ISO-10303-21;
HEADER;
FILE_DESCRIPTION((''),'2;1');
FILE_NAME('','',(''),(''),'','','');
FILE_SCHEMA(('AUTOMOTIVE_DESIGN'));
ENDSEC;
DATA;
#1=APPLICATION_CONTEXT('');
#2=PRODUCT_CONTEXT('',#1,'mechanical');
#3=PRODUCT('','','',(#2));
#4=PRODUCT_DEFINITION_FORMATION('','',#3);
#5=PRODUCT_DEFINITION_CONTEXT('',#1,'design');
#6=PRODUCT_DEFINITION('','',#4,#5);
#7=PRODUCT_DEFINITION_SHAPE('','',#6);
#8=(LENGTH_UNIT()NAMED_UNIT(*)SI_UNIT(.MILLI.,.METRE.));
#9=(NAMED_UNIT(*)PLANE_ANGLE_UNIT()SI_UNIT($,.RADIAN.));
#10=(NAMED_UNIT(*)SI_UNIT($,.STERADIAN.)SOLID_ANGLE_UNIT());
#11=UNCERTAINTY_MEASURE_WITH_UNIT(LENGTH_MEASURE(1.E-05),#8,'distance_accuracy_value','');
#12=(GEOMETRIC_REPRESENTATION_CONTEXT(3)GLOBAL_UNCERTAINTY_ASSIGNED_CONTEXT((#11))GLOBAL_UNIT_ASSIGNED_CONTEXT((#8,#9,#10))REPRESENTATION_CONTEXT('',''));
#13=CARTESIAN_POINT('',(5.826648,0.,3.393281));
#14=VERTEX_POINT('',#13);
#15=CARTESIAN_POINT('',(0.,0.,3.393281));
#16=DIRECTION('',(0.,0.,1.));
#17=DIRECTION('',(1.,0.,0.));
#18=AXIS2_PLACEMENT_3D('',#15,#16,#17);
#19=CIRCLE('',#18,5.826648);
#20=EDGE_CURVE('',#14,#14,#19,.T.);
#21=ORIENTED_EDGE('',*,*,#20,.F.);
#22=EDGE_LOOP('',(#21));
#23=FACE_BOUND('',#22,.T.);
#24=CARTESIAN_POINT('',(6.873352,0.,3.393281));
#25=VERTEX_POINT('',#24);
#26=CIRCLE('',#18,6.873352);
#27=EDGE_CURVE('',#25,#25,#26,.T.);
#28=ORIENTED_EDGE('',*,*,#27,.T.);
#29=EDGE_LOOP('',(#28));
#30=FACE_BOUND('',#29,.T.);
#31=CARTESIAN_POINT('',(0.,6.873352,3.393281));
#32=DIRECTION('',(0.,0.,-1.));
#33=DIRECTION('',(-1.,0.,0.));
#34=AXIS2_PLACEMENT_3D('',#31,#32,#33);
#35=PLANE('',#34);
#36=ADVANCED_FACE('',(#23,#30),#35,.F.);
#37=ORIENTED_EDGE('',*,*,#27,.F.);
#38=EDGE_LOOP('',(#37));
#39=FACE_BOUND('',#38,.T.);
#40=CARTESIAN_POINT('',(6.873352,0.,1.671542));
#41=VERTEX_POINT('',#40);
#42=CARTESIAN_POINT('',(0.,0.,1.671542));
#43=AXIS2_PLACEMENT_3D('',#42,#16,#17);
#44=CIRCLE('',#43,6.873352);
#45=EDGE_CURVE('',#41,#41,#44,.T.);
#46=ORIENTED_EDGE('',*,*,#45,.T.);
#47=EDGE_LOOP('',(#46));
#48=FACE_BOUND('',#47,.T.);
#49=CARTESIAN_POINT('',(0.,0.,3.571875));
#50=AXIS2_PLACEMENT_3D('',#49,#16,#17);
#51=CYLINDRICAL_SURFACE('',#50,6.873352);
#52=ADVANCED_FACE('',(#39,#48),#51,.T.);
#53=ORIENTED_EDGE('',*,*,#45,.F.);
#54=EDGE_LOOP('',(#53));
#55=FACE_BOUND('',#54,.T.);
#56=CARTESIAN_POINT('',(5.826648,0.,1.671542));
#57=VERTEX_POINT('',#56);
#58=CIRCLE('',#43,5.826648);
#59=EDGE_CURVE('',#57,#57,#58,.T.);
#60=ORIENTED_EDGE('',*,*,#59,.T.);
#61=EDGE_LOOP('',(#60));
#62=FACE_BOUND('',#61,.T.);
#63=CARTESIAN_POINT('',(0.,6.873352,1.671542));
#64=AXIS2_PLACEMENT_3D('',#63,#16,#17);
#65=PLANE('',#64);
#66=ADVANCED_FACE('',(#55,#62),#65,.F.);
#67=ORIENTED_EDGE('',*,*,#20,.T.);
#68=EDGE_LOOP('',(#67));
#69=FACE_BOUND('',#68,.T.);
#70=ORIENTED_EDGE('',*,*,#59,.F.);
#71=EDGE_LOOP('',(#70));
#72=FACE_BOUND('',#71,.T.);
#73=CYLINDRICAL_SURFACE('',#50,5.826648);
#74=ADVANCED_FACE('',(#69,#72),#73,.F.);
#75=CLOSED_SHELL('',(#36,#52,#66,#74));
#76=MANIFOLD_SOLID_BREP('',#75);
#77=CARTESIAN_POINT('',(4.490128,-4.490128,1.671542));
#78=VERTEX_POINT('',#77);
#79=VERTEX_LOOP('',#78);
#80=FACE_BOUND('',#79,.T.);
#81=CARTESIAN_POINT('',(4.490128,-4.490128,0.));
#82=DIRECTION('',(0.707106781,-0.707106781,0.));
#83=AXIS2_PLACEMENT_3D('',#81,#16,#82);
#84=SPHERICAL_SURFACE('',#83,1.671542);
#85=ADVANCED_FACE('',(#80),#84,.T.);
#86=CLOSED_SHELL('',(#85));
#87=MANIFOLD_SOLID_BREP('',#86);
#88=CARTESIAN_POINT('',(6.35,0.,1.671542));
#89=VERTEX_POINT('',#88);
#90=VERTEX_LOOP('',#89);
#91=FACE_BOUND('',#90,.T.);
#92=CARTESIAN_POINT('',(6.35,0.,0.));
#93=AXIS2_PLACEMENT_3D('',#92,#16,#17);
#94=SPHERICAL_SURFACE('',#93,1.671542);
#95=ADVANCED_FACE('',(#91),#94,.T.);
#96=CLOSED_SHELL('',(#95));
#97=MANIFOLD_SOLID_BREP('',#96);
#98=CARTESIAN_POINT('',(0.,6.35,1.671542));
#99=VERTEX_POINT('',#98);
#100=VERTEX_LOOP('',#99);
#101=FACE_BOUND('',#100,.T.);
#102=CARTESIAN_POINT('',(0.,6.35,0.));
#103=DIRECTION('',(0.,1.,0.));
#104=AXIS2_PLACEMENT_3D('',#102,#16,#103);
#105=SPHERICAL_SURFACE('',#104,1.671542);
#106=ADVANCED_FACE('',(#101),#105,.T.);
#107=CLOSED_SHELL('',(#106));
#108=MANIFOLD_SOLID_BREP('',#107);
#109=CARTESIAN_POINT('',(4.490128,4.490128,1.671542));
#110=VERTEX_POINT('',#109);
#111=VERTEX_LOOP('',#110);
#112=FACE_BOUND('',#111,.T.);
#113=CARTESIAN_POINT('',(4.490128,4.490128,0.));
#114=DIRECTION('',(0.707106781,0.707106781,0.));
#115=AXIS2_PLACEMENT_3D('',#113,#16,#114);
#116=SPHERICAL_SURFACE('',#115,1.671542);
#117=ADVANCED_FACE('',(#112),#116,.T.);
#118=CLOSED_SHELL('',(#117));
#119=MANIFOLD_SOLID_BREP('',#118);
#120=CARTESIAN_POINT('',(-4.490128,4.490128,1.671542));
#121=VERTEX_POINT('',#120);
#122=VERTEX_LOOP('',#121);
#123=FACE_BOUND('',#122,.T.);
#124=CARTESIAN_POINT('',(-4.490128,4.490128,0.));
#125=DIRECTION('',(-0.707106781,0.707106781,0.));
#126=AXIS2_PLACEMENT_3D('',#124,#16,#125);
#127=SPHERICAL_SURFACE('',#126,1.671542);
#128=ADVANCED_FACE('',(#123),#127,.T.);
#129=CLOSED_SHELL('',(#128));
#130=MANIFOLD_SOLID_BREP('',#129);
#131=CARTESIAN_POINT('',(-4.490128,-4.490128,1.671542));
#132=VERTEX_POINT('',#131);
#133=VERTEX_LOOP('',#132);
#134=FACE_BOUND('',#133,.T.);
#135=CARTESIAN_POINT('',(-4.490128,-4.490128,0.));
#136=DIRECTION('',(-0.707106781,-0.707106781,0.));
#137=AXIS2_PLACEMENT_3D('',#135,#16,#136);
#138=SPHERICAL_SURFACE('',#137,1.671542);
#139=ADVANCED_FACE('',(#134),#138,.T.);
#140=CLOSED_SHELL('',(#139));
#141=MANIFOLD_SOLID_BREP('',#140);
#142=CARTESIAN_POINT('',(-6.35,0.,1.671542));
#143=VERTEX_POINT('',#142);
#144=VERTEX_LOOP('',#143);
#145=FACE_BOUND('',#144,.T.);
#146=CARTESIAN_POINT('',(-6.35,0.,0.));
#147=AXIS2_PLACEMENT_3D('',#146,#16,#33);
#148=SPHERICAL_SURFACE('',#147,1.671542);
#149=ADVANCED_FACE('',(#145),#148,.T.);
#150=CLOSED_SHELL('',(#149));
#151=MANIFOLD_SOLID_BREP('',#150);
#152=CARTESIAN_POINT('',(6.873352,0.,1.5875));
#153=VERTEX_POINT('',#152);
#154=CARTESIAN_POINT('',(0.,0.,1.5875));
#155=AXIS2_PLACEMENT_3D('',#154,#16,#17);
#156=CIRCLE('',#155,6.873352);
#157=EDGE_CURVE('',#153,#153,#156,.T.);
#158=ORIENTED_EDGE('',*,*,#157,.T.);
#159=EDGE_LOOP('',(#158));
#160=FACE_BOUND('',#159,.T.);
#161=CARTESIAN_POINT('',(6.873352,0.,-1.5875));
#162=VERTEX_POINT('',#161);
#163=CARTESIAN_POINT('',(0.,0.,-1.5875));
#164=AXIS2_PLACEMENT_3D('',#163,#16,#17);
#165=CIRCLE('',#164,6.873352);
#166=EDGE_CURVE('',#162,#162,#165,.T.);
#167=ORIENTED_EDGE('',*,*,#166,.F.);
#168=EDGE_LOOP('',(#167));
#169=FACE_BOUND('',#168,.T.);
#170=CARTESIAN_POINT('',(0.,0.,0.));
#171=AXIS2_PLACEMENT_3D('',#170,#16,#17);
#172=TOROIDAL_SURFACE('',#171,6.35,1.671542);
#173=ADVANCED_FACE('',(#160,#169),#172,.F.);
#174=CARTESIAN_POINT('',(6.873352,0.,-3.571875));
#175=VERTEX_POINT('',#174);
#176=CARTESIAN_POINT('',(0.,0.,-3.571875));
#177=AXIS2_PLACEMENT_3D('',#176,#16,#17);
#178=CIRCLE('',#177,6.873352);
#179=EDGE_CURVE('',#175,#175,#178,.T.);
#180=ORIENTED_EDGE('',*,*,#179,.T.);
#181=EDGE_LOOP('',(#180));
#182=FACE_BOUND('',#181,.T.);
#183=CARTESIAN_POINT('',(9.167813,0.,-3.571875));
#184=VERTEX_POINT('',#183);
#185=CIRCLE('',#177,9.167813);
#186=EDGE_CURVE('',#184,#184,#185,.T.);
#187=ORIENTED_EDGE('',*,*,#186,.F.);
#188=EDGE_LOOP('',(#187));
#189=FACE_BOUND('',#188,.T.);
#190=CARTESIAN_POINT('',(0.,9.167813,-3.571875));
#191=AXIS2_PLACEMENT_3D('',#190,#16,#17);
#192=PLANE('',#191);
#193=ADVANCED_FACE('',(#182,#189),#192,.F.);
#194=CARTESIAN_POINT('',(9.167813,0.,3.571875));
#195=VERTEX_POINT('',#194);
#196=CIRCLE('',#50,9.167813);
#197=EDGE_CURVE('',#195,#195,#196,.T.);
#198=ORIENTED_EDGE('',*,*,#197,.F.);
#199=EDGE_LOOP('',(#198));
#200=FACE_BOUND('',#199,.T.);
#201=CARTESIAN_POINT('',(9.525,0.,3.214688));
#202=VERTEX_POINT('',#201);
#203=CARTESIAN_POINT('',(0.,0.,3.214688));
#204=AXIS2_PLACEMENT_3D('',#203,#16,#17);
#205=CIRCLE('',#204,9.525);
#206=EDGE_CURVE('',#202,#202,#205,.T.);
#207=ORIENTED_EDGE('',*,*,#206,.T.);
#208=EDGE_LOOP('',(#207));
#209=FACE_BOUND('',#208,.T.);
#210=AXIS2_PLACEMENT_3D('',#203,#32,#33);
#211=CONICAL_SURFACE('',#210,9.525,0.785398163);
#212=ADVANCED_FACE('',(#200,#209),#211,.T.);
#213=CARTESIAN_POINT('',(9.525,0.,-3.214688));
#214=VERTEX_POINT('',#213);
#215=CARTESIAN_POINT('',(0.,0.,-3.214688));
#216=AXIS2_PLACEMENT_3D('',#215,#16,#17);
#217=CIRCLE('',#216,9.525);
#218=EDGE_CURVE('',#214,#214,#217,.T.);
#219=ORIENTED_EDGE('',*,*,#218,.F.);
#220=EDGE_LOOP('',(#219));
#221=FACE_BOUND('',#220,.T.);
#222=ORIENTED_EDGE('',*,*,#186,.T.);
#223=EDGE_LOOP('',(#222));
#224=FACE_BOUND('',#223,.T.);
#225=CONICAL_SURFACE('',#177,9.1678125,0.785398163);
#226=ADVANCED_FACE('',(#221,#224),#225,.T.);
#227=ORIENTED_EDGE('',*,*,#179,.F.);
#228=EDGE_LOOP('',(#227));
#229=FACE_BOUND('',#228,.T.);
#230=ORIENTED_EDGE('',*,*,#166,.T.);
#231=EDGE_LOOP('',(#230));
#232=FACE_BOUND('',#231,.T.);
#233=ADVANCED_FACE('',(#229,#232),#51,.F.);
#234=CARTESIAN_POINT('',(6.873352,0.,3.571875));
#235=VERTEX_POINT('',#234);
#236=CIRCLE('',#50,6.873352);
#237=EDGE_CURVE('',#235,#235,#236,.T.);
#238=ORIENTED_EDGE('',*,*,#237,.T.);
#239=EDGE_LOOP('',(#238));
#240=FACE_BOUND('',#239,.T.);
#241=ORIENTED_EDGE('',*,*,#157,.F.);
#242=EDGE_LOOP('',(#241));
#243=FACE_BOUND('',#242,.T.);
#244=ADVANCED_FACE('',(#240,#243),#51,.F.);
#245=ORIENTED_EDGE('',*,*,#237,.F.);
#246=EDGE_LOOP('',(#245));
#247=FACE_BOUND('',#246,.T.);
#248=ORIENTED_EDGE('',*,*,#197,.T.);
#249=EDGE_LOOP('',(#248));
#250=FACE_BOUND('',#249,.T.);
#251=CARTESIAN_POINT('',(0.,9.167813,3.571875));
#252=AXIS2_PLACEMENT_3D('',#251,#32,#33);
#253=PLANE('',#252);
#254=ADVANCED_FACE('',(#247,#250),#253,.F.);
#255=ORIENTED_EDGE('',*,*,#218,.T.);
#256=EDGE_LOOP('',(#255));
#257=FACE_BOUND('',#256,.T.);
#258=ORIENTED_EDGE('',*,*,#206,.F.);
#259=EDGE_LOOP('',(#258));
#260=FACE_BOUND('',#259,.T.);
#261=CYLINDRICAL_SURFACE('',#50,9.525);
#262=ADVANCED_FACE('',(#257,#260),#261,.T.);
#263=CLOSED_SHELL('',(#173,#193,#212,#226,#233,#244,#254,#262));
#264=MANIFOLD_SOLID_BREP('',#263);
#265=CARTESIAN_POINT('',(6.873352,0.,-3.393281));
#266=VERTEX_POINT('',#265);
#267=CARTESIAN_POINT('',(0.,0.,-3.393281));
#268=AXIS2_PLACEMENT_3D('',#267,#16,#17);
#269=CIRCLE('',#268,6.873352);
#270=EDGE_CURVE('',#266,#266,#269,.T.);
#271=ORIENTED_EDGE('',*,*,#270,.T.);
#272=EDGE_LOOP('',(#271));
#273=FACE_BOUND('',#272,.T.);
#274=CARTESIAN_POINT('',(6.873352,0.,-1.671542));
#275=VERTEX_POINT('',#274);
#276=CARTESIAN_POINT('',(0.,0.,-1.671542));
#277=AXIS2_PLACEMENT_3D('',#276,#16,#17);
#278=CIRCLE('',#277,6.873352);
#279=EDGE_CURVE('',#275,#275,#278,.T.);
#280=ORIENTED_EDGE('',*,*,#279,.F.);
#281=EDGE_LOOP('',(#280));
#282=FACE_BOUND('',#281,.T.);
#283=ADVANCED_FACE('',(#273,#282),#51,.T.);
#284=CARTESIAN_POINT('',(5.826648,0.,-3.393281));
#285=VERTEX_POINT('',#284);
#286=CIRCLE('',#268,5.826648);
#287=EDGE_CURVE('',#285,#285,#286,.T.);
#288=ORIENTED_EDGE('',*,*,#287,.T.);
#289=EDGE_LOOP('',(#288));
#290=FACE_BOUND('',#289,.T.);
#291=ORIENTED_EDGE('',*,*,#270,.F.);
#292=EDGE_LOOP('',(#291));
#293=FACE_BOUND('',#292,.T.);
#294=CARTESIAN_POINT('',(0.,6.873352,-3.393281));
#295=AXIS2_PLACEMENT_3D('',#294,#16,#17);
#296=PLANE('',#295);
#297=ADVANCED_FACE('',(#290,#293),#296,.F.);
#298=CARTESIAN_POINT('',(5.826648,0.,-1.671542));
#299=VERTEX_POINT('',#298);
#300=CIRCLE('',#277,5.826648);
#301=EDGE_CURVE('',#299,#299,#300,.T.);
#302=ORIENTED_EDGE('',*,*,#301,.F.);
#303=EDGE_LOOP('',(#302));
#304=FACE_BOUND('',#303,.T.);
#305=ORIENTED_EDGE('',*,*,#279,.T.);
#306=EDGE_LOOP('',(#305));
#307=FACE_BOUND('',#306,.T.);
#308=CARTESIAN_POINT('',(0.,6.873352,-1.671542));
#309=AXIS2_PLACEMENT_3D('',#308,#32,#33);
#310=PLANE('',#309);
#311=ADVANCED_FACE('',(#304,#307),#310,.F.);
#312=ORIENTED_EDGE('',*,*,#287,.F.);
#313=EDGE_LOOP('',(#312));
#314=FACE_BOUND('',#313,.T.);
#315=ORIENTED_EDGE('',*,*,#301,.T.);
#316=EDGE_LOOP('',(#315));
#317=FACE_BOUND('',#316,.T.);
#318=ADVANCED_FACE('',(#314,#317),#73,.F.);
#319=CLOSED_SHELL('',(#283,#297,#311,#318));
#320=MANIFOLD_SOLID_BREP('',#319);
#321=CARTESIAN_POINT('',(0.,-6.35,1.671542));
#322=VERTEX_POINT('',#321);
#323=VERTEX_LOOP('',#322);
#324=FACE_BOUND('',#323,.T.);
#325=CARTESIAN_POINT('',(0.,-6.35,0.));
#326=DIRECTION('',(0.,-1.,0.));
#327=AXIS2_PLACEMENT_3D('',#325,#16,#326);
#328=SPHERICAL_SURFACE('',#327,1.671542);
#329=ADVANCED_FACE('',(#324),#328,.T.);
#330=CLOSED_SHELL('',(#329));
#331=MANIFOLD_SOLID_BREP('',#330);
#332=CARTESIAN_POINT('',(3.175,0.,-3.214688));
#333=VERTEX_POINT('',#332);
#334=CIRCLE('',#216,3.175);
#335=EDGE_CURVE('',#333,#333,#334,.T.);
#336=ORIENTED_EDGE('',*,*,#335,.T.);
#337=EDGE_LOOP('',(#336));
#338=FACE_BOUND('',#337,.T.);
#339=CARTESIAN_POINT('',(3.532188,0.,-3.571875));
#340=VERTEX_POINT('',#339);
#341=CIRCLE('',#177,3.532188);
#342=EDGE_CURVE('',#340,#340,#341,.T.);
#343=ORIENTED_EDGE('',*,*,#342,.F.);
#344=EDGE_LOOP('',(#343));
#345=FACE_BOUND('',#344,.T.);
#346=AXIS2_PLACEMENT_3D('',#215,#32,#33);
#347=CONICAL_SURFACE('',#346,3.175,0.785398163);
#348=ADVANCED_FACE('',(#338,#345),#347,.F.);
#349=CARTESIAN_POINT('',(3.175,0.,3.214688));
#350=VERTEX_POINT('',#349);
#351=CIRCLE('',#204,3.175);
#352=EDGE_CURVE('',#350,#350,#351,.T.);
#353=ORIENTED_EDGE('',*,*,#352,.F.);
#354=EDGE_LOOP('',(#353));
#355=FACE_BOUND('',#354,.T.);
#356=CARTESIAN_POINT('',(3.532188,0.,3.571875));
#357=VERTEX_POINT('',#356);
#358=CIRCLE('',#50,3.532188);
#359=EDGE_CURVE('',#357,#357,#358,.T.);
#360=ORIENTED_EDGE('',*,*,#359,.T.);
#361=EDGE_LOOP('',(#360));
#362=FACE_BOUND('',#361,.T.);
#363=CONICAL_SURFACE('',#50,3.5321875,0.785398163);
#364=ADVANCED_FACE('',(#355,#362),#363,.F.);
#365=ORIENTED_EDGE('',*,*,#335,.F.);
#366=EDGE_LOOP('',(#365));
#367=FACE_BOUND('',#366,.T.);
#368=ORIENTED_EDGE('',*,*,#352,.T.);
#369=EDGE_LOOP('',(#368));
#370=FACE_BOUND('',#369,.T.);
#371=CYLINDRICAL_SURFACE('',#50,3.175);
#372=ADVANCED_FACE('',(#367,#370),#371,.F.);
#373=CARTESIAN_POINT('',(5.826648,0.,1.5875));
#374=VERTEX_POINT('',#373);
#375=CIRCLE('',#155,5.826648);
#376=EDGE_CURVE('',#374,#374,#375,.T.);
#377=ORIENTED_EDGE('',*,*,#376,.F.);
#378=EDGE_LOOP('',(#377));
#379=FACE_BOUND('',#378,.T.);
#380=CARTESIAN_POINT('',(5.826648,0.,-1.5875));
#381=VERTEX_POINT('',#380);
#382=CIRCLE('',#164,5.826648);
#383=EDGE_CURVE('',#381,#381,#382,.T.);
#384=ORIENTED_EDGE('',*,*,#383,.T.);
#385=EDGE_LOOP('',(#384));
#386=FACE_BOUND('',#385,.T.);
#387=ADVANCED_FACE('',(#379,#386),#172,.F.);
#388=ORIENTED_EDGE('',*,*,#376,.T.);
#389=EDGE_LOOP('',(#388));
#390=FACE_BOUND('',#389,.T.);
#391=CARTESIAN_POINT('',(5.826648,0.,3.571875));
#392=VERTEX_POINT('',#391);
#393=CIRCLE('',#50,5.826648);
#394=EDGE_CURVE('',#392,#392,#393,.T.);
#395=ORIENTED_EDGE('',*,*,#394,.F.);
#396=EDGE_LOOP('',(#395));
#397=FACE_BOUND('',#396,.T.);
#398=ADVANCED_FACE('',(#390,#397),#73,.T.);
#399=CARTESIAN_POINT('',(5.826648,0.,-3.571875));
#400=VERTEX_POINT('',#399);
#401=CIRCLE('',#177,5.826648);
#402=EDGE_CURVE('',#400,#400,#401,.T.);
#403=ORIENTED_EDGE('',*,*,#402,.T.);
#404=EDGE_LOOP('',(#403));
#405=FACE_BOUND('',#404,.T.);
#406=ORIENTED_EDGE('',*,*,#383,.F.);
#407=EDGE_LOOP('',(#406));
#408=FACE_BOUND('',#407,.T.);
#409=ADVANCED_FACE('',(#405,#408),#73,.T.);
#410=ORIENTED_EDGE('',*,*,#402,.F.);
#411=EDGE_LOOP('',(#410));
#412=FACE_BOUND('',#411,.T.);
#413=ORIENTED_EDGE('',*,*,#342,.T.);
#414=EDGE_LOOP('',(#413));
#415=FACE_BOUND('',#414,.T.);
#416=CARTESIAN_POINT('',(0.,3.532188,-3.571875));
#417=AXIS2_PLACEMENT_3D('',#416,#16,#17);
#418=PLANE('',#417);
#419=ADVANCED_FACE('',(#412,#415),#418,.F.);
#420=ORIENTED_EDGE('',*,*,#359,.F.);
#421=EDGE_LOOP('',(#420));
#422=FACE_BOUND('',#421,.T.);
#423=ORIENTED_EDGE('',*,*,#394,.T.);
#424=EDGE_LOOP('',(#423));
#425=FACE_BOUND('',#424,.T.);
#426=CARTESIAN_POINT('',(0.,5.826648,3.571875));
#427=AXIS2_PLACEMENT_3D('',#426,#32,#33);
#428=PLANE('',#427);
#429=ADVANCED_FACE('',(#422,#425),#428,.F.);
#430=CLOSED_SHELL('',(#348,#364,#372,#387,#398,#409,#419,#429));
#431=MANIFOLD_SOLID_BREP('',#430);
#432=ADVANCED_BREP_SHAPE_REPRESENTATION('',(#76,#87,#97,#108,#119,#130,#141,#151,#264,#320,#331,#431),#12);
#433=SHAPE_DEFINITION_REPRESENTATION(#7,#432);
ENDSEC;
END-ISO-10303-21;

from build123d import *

# Parameters (mm, degrees)
CIRPATTERN1_COUNT = 8
SKETCH5_W         = 1.721739088
SKETCH5_H         = 1.046703296


with BuildPart() as part:
    # Sketch1 → Revolve1 (revolve)
    with BuildSketch(Plane(origin=(0, 0, 0), x_dir=(0, 0, -1), z_dir=(1, 0, 0))):
        with BuildLine():
            Line((3.2146875, 9.525), (-3.2146875, 9.525))
            Line((-3.2146875, 9.525), (-3.571875, 9.1678125))
            Line((-3.571875, 9.1678125), (-3.571875, 6.873351648))
            Line((-3.571875, 6.873351648), (-1.5875, 6.873351648))
            ThreePointArc((-1.5875, 6.873351648), (0, 8.021542162), (1.5875, 6.873351648))
            Line((1.5875, 6.873351648), (3.571875, 6.873351648))
            Line((3.571875, 6.873351648), (3.571875, 9.1678125))
            Line((3.571875, 9.1678125), (3.2146875, 9.525))
        make_face()
    revolve(axis=Axis((0, 0, 3.571875), (0, 0, -1)))


with BuildPart() as body_2:
    # Sketch3 → Revolve3 (revolve)
    with BuildSketch(Plane(origin=(0, 0, 0), x_dir=(0, 0, -1), z_dir=(1, 0, 0))):
        with BuildLine():
            Line((-3.571875, 5.826648352), (-1.5875, 5.826648352))
            ThreePointArc((-1.5875, 5.826648352), (0, 4.678457838), (1.5875, 5.826648352))
            Line((1.5875, 5.826648352), (3.571875, 5.826648352))
            Line((3.571875, 5.826648352), (3.571875, 3.5321875))
            Line((3.571875, 3.5321875), (3.2146875, 3.175))
            Line((3.2146875, 3.175), (-3.2146875, 3.175))
            Line((-3.2146875, 3.175), (-3.571875, 3.5321875))
            Line((-3.571875, 3.5321875), (-3.571875, 5.826648352))
        make_face()
    revolve(axis=Axis((0, 0, 3.571875), (0, 0, -1)))


with BuildPart() as body_3:
    # Sketch4 → Revolve4 (revolve)
    with BuildSketch(Plane(origin=(0, 0, 0), x_dir=(0, 0, -1), z_dir=(1, 0, 0))):
        with BuildLine():
            Line((-1.671542162, 6.35), (1.671542162, 6.35))
            ThreePointArc((1.671542162, 6.35), (0, 8.021542162), (-1.671542162, 6.35))
        make_face()
    revolve(axis=Axis((0, 6.35, 1.671542162), (0, 0, -1)))


with BuildPart() as cirpattern1_1:
    # CirPattern1: pattern copy
    add(body_3.part.rotate(Axis((0, 0, -3.571875), (0, 0, 1)), 1 * 360 / CIRPATTERN1_COUNT))


with BuildPart() as cirpattern1_2:
    # CirPattern1: pattern copy
    add(body_3.part.rotate(Axis((0, 0, -3.571875), (0, 0, 1)), 2 * 360 / CIRPATTERN1_COUNT))


with BuildPart() as cirpattern1_3:
    # CirPattern1: pattern copy
    add(body_3.part.rotate(Axis((0, 0, -3.571875), (0, 0, 1)), 3 * 360 / CIRPATTERN1_COUNT))


with BuildPart() as cirpattern1_4:
    # CirPattern1: pattern copy
    add(body_3.part.rotate(Axis((0, 0, -3.571875), (0, 0, 1)), 4 * 360 / CIRPATTERN1_COUNT))


with BuildPart() as cirpattern1_5:
    # CirPattern1: pattern copy
    add(body_3.part.rotate(Axis((0, 0, -3.571875), (0, 0, 1)), 5 * 360 / CIRPATTERN1_COUNT))


with BuildPart() as cirpattern1_6:
    # CirPattern1: pattern copy
    add(body_3.part.rotate(Axis((0, 0, -3.571875), (0, 0, 1)), 6 * 360 / CIRPATTERN1_COUNT))


with BuildPart() as cirpattern1_7:
    # CirPattern1: pattern copy
    add(body_3.part.rotate(Axis((0, 0, -3.571875), (0, 0, 1)), 7 * 360 / CIRPATTERN1_COUNT))


with BuildPart() as body_11:
    # Sketch5 → Revolve5 (revolve)
    with BuildSketch(Plane(origin=(0, 0, 0), x_dir=(0, 0, -1), z_dir=(1, 0, 0))):
        with Locations((-2.532411706, 6.35)):
            Rectangle(SKETCH5_W, SKETCH5_H)
        with Locations((2.532411706, 6.35)):
            Rectangle(SKETCH5_W, SKETCH5_H)
    revolve(axis=Axis((0, 0, 3.571875), (0, 0, -1)))


solid = Compound([part.part, body_2.part, body_3.part, cirpattern1_1.part, cirpattern1_2.part, cirpattern1_3.part, cirpattern1_4.part, cirpattern1_5.part, cirpattern1_6.part, cirpattern1_7.part, body_11.part])
